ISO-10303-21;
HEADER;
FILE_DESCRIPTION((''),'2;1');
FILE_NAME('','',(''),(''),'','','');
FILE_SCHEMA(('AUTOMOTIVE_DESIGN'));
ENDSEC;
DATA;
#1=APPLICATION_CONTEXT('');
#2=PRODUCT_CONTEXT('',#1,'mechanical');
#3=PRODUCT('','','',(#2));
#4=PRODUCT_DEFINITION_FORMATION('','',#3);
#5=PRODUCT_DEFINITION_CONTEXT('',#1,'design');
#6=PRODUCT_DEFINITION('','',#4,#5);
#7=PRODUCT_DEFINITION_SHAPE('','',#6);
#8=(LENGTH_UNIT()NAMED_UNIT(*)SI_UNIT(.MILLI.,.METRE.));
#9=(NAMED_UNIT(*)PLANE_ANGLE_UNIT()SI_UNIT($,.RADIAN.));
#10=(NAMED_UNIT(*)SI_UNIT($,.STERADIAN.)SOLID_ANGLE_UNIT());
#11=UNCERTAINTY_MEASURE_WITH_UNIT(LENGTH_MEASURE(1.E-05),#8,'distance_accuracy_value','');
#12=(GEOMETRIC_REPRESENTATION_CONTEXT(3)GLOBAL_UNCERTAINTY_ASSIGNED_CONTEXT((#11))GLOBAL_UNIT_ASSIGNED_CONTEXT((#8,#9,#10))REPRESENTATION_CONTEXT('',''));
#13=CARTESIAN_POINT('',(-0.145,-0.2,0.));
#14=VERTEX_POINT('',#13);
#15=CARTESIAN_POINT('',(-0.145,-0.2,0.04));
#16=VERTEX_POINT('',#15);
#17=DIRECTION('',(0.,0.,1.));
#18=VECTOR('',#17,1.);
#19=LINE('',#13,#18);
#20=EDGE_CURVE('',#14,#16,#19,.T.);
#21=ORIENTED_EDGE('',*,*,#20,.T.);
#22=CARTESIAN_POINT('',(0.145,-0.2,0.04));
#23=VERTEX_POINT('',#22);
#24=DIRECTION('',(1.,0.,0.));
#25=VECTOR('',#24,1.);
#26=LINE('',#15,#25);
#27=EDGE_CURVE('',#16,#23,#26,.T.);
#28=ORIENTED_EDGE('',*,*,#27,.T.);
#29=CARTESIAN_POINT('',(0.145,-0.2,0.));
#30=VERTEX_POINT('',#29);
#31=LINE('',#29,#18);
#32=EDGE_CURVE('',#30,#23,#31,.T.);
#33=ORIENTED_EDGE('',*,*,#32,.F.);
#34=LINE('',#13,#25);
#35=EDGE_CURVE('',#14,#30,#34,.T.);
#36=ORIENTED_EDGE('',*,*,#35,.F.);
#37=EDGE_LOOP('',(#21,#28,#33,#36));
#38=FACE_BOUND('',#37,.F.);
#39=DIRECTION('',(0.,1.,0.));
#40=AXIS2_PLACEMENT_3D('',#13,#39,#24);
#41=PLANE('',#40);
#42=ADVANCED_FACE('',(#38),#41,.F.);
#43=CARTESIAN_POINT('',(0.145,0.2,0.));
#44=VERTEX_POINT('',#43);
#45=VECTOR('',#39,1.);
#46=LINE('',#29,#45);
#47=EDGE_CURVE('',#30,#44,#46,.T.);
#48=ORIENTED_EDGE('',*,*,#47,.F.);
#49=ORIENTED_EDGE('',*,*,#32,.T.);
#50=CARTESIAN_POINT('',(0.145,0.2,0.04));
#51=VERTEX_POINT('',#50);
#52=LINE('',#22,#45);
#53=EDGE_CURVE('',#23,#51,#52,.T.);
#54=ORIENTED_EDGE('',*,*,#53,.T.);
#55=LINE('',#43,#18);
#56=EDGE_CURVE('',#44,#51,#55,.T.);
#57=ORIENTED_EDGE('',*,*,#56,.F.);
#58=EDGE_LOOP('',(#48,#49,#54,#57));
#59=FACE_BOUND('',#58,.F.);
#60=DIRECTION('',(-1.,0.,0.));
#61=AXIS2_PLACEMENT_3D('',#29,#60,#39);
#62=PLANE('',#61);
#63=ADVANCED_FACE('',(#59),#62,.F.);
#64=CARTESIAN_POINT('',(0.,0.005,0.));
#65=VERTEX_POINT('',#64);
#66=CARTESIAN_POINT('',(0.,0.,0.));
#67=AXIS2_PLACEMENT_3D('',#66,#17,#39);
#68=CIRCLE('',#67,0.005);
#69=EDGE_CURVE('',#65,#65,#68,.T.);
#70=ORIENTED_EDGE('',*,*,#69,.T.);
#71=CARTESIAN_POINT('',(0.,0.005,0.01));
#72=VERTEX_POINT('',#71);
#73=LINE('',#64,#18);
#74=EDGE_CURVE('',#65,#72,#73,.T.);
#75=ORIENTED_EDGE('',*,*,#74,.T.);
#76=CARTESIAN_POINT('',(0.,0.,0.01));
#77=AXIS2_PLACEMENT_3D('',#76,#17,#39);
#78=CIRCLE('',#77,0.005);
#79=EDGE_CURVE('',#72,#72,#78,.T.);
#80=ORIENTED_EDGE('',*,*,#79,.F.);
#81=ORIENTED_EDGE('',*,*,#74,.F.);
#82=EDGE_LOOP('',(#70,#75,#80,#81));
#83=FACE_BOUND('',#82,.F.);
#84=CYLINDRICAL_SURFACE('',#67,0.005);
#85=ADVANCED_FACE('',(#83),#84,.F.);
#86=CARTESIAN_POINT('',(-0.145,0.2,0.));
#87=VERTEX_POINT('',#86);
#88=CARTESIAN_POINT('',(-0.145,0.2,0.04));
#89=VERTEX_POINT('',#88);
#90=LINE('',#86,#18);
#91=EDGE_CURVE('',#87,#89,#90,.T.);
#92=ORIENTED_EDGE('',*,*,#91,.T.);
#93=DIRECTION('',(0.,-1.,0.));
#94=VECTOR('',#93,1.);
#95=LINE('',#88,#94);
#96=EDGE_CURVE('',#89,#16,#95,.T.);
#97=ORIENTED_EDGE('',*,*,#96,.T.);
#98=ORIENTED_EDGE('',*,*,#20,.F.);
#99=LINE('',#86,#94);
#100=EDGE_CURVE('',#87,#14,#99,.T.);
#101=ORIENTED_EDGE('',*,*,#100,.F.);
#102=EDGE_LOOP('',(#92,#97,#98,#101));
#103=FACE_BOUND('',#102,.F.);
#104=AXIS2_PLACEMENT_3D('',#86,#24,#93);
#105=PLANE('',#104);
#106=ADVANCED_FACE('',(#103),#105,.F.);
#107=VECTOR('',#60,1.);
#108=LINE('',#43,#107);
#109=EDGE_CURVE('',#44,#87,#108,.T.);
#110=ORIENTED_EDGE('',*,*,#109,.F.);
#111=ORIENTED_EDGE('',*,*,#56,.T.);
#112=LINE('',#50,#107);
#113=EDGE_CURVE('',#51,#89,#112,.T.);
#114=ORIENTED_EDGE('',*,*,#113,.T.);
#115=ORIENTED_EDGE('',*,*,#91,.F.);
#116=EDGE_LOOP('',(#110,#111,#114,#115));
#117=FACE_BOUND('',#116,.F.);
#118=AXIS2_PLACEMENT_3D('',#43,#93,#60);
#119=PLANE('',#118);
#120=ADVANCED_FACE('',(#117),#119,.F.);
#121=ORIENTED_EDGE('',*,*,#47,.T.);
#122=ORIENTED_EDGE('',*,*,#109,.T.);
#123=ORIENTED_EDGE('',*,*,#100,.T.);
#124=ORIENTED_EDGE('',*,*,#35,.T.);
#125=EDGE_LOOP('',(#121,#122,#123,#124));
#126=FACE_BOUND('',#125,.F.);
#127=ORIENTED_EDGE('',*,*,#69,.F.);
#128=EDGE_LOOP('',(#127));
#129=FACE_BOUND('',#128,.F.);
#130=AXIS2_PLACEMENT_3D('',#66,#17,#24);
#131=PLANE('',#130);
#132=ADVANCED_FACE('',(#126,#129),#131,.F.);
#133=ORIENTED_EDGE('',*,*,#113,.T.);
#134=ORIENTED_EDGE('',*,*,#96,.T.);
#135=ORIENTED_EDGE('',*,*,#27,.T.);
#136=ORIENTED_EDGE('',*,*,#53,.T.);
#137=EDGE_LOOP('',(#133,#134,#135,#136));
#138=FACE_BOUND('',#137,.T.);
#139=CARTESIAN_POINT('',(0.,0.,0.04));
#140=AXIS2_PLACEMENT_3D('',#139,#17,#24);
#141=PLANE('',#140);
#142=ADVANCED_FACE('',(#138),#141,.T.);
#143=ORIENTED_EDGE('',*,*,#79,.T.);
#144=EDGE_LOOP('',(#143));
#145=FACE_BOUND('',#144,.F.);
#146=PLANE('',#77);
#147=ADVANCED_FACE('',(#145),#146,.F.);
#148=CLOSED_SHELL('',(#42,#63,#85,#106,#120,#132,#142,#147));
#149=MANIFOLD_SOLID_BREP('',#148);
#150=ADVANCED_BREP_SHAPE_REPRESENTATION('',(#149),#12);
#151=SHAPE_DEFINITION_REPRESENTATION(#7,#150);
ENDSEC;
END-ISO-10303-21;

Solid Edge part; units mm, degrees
sketch "Sketch1" plane through (0, 0, 0) normal (0, 0, 1) x (1, 0, 0)
  line L0 (-0.145, -0.2) -> (0.145, -0.2)
  line L1 (0.145, -0.2) -> (0.145, 0.2)
  line L2 (0.145, 0.2) -> (-0.145, 0.2)
  line L3 (-0.145, 0.2) -> (-0.145, -0.2)
  dimension "D1" = 0.29
  dimension "D2" = 0.4
extrude "Protrusion1" add sketch "Sketch1" along normal blind 0.04
hole "Bohrung_1" at (0, 0, 0) direction (0, 0, 1) diameter 0.01 depth 0.01
